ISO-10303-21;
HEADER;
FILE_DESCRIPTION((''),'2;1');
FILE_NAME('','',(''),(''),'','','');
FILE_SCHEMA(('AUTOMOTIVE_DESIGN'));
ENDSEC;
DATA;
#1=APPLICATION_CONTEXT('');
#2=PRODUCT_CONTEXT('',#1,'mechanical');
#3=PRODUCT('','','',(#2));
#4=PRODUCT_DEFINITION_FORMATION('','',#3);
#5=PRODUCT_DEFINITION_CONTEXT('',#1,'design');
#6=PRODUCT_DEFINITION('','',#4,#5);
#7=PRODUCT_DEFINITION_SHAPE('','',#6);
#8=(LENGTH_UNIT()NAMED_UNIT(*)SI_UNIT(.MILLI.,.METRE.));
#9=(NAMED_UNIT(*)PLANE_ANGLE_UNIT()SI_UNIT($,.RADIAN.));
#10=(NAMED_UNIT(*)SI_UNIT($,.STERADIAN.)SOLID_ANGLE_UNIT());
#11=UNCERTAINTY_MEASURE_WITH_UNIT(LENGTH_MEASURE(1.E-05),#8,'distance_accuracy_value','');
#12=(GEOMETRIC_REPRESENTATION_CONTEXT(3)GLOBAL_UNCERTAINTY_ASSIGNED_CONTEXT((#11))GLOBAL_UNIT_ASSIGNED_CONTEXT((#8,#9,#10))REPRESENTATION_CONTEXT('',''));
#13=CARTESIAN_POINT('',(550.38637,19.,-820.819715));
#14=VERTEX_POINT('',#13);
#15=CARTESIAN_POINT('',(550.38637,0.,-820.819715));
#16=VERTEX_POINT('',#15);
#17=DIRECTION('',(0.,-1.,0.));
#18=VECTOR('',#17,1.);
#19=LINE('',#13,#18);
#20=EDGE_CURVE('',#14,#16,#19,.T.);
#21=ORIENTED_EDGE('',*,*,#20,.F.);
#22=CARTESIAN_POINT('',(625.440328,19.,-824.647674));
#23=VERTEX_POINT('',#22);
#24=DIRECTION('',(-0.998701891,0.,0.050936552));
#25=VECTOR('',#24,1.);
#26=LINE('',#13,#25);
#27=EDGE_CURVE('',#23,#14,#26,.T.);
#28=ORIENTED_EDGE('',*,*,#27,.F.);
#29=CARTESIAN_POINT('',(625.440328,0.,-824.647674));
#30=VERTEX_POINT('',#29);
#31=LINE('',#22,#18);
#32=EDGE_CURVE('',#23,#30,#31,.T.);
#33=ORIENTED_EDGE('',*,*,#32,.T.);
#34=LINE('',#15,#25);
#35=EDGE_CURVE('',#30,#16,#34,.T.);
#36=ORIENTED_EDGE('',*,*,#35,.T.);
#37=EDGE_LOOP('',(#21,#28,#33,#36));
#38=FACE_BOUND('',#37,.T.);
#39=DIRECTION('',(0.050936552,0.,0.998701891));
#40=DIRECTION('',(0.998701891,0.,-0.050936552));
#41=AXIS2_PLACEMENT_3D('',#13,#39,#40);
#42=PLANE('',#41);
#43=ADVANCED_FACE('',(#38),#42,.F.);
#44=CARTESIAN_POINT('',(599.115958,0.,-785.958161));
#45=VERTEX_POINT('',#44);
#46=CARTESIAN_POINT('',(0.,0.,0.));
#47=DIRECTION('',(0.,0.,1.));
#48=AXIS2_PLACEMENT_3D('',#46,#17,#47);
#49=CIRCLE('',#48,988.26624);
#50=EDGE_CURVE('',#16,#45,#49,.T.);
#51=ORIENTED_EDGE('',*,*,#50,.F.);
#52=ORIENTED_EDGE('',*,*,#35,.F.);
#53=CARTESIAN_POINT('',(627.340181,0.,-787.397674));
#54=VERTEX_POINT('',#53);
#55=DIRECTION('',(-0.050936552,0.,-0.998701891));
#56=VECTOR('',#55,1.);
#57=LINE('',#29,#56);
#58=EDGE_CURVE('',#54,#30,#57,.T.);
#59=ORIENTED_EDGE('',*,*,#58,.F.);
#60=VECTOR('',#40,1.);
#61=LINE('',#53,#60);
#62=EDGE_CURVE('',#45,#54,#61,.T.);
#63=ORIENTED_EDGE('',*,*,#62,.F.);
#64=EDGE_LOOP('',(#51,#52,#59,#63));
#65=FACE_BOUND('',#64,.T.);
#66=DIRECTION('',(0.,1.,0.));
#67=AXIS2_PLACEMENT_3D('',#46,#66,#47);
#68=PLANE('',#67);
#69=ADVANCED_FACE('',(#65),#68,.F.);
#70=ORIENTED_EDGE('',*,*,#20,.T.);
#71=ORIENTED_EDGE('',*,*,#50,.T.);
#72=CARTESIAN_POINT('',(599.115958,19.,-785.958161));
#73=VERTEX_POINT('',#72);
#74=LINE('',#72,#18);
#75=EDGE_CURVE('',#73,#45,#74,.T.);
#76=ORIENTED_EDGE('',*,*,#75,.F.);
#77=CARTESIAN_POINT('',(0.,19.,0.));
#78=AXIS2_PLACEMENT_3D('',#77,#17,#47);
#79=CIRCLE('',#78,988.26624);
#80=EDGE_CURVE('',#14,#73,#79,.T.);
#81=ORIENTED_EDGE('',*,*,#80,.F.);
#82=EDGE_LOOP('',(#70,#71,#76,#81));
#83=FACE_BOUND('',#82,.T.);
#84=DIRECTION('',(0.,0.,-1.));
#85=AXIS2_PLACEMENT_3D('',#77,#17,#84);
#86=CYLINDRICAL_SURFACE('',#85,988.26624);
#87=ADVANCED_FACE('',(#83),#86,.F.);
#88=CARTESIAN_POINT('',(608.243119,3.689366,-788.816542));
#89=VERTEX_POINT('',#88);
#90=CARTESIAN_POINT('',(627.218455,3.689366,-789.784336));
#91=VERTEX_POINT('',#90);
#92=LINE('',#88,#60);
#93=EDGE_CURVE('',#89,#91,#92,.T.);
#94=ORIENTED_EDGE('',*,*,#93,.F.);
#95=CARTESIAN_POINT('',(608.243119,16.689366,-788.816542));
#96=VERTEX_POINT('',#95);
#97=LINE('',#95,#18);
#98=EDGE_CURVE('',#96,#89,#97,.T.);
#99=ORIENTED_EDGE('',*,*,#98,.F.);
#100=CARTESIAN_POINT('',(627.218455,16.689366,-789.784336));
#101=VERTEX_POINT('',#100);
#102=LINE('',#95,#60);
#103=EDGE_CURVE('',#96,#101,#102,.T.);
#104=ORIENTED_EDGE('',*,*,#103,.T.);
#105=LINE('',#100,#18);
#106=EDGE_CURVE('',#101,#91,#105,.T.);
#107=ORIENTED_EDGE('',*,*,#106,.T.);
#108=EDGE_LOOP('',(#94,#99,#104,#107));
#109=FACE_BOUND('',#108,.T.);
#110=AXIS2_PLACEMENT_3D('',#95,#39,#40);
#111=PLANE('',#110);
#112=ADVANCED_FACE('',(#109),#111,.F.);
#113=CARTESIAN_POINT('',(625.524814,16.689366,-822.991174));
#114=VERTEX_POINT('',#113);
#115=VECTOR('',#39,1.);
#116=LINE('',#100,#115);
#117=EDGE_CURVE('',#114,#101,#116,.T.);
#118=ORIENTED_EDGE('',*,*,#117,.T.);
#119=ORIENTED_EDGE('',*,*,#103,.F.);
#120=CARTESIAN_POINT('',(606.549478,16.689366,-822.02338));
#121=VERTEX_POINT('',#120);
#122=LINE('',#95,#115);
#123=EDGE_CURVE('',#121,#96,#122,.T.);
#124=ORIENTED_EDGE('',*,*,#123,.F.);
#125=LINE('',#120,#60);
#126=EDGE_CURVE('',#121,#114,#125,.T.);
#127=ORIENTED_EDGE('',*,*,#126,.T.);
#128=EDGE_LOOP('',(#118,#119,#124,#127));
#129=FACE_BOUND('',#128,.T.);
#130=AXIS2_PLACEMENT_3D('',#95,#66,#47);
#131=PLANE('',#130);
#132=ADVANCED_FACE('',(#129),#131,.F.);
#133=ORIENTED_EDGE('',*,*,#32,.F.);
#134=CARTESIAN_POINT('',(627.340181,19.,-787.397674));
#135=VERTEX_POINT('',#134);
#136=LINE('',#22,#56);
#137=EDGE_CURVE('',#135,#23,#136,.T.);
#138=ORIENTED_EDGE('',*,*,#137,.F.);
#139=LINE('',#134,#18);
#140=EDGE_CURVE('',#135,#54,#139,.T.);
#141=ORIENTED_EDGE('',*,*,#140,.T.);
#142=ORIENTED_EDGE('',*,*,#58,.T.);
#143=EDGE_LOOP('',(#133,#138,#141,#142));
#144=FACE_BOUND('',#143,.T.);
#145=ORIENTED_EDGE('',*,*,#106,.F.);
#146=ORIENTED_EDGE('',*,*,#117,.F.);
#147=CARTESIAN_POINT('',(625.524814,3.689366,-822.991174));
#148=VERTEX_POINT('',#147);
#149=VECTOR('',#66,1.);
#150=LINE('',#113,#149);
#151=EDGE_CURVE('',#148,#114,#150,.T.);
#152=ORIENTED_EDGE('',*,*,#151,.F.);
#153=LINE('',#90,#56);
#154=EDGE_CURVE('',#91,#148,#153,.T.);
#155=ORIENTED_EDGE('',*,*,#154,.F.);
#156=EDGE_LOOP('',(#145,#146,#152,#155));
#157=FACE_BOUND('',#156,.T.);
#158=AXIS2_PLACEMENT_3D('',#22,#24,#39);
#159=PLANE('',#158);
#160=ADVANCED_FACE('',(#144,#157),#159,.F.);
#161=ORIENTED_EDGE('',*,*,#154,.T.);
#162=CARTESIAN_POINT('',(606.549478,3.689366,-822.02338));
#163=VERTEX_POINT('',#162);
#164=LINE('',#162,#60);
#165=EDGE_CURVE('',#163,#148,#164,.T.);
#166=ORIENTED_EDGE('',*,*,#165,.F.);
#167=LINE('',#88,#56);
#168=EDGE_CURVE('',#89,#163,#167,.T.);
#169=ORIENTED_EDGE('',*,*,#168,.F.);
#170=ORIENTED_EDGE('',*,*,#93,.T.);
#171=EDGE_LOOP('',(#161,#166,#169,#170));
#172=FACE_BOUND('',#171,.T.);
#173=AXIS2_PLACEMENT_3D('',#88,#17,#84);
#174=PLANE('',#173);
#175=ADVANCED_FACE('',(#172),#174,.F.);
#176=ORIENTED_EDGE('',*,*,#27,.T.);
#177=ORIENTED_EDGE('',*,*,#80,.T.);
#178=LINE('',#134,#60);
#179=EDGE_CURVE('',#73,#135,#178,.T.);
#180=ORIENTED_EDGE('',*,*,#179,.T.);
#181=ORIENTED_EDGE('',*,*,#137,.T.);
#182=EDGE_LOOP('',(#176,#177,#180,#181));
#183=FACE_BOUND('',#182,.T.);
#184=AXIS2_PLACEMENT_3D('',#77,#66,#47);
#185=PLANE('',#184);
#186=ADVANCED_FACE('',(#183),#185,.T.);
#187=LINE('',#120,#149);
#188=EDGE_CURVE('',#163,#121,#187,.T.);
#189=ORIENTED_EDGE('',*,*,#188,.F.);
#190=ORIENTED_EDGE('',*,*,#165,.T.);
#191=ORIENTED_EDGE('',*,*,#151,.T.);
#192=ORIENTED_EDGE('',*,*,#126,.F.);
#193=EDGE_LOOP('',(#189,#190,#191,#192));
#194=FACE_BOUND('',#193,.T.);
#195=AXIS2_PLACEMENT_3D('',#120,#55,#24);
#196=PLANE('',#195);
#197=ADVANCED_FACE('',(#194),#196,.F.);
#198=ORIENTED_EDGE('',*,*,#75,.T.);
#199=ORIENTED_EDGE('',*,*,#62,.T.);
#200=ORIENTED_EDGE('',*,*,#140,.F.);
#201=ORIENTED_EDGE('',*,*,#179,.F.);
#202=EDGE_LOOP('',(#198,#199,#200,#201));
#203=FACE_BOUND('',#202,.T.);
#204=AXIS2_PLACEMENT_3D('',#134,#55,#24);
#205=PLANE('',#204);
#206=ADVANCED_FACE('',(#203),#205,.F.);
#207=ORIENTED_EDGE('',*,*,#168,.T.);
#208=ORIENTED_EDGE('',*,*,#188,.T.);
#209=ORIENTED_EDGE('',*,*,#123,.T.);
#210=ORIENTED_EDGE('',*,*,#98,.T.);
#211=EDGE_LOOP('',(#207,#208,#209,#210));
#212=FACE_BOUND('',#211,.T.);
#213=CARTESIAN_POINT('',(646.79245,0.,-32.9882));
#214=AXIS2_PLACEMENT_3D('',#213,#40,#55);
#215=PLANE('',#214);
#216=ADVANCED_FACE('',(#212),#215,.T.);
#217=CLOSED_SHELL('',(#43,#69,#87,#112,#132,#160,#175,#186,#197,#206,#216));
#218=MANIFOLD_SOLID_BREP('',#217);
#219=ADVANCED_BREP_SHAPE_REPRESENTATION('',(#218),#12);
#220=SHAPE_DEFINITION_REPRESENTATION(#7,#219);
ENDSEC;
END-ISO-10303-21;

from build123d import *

# Parameters (mm, degrees)
BOSS_EXTRUDE2_DEPTH = 19
SKETCH3_W           = 33.25
SKETCH3_H           = 13
CUT_EXTRUDE2_DEPTH  = 19


with BuildPart() as part:
    # Sketch1 → Boss-Extrude2 (new body)
    with BuildSketch(Plane(origin=(0, 0, 0), x_dir=(1, 0, 0), z_dir=(0, 1, 0))):
        with BuildLine():
            Line((550.386370436, 820.819715378), (625.440328141, 824.647674335))
            Line((625.440328141, 824.647674335), (627.340180934, 787.397674335))
            Line((627.340180934, 787.397674335), (599.115957856, 785.958161072))
            ThreePointArc((599.115957856, 785.958161072), (575.015419514, 803.758315189), (550.386370436, 820.819715378))
        make_face()
    extrude(amount=BOSS_EXTRUDE2_DEPTH)

    # Sketch3 → Cut-Extrude2 (cut)
    with BuildSketch(Plane(origin=(665.767785772, 0, -33.955994289), x_dir=(-0.05093655241609126, 0, -0.9987018912708451), z_dir=(0.9987018912708452, 0, -0.05093655241609127))):
        with Locations((773.435764615, 10.189365534)):
            Rectangle(SKETCH3_W, SKETCH3_H)
    extrude(amount=-CUT_EXTRUDE2_DEPTH, mode=Mode.SUBTRACT)


solid = part.part
